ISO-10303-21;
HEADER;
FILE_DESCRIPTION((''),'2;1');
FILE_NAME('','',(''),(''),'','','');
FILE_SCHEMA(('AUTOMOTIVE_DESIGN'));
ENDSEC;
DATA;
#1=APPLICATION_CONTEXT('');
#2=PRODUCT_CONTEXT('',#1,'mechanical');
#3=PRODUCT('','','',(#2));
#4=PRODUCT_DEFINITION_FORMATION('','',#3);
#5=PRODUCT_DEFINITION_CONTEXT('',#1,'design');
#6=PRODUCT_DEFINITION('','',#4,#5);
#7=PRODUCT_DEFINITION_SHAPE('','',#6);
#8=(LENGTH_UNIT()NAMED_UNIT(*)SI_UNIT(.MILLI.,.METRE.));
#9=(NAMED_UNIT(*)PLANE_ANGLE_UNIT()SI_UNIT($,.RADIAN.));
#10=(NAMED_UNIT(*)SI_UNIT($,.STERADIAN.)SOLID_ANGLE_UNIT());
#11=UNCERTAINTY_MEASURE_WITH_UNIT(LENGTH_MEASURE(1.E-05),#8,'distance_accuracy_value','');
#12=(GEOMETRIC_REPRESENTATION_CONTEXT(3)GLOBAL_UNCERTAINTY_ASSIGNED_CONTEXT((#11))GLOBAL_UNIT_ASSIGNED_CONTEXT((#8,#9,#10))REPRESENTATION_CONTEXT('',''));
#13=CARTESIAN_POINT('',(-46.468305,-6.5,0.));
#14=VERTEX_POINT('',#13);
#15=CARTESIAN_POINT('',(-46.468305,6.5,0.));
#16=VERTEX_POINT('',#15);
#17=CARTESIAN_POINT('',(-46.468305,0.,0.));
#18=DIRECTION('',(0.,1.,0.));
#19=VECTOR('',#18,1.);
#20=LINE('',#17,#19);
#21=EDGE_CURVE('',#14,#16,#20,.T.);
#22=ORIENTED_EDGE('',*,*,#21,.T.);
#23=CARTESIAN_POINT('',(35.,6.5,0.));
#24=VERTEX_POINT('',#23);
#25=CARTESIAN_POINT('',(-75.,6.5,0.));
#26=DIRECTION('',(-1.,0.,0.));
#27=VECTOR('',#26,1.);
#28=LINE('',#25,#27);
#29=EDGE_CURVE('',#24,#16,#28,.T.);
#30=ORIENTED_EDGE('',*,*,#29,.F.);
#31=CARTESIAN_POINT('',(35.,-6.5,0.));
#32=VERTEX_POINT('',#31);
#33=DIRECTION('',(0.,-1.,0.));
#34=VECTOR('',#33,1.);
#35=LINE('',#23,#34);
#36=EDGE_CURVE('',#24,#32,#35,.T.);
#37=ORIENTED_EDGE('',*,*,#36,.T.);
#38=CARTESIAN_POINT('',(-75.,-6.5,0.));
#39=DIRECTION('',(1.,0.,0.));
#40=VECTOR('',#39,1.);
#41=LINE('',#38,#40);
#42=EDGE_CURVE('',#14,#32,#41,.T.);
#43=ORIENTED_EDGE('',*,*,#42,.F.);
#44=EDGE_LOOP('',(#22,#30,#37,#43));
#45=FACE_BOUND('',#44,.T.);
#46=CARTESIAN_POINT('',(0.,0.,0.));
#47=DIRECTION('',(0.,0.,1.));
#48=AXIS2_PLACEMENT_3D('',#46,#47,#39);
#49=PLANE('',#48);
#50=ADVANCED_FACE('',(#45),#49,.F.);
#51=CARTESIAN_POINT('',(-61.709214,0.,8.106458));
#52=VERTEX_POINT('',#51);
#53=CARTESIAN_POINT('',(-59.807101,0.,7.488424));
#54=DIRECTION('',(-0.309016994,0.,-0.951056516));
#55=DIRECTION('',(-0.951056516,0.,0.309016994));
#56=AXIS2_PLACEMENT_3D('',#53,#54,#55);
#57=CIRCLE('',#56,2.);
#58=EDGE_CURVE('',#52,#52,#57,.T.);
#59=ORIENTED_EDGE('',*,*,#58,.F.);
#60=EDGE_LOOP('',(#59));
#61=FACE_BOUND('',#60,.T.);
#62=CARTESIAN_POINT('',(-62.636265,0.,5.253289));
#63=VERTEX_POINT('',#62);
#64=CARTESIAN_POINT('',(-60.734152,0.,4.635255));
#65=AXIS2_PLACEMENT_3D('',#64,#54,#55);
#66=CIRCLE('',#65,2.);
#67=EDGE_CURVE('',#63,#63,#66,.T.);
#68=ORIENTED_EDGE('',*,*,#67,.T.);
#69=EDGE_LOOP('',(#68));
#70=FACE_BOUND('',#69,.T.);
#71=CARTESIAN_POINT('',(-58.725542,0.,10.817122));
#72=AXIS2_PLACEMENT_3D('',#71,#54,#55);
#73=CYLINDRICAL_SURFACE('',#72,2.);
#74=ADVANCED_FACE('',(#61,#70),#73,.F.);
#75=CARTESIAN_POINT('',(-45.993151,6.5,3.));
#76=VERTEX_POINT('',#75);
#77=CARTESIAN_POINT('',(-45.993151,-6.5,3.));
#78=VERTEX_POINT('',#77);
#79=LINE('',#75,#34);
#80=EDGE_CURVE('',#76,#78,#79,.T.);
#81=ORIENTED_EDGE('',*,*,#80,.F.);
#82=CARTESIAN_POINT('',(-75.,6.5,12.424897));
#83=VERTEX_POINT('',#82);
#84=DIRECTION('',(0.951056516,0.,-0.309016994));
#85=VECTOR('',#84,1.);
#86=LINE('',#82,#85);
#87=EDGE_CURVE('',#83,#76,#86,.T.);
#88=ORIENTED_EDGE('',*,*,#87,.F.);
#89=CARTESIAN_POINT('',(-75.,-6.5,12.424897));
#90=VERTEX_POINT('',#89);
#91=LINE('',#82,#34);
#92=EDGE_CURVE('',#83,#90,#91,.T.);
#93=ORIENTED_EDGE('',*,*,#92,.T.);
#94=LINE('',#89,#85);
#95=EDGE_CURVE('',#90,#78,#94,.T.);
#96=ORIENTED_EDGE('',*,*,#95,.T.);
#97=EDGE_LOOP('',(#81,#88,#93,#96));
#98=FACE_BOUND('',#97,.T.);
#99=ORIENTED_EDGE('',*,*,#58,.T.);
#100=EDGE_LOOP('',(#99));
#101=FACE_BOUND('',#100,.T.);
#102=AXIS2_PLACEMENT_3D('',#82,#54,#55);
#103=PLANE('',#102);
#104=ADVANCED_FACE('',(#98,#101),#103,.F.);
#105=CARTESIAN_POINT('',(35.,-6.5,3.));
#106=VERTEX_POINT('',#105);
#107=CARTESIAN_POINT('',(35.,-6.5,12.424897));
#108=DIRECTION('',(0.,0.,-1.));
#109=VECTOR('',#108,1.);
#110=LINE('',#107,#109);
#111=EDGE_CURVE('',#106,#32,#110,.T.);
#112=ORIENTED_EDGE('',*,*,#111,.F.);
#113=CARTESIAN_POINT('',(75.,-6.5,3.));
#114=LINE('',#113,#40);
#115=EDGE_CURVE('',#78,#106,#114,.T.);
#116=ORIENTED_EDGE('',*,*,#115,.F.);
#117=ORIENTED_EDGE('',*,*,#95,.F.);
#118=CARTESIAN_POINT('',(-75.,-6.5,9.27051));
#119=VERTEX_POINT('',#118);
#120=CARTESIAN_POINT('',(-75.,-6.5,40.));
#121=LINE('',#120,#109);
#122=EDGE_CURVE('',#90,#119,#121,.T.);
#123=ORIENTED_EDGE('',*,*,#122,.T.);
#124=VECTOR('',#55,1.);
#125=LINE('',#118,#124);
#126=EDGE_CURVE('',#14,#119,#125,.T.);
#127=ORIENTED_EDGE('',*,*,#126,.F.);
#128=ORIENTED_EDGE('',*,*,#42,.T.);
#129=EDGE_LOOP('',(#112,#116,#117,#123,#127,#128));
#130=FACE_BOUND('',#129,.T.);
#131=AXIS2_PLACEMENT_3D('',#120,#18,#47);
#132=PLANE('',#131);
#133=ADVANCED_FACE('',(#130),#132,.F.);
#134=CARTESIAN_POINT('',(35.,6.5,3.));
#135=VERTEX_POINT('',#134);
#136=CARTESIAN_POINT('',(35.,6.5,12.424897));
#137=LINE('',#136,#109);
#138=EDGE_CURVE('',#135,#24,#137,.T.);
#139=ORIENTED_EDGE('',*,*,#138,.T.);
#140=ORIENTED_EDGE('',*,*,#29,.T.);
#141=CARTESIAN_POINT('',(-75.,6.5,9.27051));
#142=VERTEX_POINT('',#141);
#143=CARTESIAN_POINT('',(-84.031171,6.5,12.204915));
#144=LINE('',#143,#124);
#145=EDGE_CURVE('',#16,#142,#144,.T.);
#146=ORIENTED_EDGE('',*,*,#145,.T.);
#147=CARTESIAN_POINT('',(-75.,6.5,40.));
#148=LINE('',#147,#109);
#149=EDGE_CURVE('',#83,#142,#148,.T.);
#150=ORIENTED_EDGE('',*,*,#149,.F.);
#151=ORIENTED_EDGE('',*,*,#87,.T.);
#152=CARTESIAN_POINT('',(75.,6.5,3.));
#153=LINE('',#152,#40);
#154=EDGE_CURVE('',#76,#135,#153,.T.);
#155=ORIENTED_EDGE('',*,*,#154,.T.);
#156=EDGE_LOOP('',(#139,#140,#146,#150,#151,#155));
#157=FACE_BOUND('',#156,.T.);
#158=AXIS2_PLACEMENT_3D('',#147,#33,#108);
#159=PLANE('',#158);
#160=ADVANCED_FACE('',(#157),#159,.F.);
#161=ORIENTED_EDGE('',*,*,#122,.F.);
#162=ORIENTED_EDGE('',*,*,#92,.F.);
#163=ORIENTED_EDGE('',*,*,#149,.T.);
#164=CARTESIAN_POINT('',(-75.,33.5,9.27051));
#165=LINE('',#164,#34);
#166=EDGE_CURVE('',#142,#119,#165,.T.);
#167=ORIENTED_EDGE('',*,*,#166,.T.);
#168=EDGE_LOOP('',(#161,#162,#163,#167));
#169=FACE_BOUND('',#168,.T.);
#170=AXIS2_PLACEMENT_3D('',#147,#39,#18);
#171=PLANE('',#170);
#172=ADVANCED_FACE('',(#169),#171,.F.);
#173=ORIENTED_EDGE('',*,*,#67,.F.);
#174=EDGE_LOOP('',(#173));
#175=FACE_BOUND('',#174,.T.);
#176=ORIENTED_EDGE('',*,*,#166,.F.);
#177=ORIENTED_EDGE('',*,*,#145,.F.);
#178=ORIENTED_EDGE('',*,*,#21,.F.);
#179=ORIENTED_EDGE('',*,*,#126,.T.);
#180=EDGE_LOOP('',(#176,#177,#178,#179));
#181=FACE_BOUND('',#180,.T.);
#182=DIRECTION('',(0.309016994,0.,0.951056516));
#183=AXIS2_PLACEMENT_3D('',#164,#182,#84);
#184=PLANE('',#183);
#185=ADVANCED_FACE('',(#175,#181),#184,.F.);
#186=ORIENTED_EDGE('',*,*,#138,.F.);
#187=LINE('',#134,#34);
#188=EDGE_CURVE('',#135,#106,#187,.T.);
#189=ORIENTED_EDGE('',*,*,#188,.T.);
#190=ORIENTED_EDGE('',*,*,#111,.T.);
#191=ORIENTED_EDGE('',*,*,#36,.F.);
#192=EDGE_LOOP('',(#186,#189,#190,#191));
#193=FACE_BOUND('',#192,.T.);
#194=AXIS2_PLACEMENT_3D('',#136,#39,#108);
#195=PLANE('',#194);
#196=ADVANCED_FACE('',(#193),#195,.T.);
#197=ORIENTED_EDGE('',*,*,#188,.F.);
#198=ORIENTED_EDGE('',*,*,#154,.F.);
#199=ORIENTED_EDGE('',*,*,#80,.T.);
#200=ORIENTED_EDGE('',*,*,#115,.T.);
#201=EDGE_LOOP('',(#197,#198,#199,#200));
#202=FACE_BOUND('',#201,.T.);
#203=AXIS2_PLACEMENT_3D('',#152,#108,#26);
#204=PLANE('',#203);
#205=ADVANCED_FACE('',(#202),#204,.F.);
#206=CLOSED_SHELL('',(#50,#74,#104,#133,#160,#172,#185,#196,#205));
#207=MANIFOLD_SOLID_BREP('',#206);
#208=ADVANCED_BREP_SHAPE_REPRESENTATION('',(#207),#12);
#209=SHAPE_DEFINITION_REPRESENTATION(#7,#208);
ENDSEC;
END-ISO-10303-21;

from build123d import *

# Parameters (mm, degrees)
SKETCH1_W           = 150
SKETCH1_H           = 13
BOSS_EXTRUDE1_DEPTH = 40
CUT_EXTRUDE1_DEPTH  = 40
CUT_EXTRUDE3_DEPTH  = 86.988371307
SKETCH8_R           = 2
CUT_EXTRUDE7_DEPTH  = 6.5
SKETCH4_W           = 40
SKETCH4_H           = 13
CUT_EXTRUDE10_DEPTH = 77.299594056


with BuildPart() as part:
    # Sketch1 → Boss-Extrude1 (new body)
    with BuildSketch(Plane.XY):
        Rectangle(SKETCH1_W, SKETCH1_H)
    extrude(amount=BOSS_EXTRUDE1_DEPTH)

    # Sketch2 → Cut-Extrude1 (cut)
    with BuildSketch(Plane.XZ.offset(6.5)):
        Polygon((-75, 9.270509831), (-46.468304511, 0), (-75, 0), align=None)
    extrude(amount=-CUT_EXTRUDE1_DEPTH, mode=Mode.SUBTRACT)

    # Sketch3 → Cut-Extrude3 (cut, through all)
    with BuildSketch(Plane.XZ.offset(6.5)):
        Polygon((-75, 12.424896504), (-45.99315119, 3), (75, 3), (75, 40), (-75, 40), align=None)
    extrude(amount=-CUT_EXTRUDE3_DEPTH, mode=Mode.SUBTRACT)

    # Sketch8 → Cut-Extrude7 (cut)
    with BuildSketch(Plane(origin=(-4.437328231, 0, -13.656692045), x_dir=(-0.9510565162951532, 0, 0.30901699437494873), z_dir=(-0.30901699437494873, 0, -0.9510565162951532))):
        with Locations((59.193983807, 0)):
            Circle(SKETCH8_R)
    extrude(amount=-CUT_EXTRUDE7_DEPTH, mode=Mode.SUBTRACT)

    # Sketch4 → Cut-Extrude10 (cut, through all)
    with BuildSketch(Plane.XY):
        with Locations((55, 0)):
            Rectangle(SKETCH4_W, SKETCH4_H)
    extrude(amount=CUT_EXTRUDE10_DEPTH, mode=Mode.SUBTRACT)


solid = part.part
